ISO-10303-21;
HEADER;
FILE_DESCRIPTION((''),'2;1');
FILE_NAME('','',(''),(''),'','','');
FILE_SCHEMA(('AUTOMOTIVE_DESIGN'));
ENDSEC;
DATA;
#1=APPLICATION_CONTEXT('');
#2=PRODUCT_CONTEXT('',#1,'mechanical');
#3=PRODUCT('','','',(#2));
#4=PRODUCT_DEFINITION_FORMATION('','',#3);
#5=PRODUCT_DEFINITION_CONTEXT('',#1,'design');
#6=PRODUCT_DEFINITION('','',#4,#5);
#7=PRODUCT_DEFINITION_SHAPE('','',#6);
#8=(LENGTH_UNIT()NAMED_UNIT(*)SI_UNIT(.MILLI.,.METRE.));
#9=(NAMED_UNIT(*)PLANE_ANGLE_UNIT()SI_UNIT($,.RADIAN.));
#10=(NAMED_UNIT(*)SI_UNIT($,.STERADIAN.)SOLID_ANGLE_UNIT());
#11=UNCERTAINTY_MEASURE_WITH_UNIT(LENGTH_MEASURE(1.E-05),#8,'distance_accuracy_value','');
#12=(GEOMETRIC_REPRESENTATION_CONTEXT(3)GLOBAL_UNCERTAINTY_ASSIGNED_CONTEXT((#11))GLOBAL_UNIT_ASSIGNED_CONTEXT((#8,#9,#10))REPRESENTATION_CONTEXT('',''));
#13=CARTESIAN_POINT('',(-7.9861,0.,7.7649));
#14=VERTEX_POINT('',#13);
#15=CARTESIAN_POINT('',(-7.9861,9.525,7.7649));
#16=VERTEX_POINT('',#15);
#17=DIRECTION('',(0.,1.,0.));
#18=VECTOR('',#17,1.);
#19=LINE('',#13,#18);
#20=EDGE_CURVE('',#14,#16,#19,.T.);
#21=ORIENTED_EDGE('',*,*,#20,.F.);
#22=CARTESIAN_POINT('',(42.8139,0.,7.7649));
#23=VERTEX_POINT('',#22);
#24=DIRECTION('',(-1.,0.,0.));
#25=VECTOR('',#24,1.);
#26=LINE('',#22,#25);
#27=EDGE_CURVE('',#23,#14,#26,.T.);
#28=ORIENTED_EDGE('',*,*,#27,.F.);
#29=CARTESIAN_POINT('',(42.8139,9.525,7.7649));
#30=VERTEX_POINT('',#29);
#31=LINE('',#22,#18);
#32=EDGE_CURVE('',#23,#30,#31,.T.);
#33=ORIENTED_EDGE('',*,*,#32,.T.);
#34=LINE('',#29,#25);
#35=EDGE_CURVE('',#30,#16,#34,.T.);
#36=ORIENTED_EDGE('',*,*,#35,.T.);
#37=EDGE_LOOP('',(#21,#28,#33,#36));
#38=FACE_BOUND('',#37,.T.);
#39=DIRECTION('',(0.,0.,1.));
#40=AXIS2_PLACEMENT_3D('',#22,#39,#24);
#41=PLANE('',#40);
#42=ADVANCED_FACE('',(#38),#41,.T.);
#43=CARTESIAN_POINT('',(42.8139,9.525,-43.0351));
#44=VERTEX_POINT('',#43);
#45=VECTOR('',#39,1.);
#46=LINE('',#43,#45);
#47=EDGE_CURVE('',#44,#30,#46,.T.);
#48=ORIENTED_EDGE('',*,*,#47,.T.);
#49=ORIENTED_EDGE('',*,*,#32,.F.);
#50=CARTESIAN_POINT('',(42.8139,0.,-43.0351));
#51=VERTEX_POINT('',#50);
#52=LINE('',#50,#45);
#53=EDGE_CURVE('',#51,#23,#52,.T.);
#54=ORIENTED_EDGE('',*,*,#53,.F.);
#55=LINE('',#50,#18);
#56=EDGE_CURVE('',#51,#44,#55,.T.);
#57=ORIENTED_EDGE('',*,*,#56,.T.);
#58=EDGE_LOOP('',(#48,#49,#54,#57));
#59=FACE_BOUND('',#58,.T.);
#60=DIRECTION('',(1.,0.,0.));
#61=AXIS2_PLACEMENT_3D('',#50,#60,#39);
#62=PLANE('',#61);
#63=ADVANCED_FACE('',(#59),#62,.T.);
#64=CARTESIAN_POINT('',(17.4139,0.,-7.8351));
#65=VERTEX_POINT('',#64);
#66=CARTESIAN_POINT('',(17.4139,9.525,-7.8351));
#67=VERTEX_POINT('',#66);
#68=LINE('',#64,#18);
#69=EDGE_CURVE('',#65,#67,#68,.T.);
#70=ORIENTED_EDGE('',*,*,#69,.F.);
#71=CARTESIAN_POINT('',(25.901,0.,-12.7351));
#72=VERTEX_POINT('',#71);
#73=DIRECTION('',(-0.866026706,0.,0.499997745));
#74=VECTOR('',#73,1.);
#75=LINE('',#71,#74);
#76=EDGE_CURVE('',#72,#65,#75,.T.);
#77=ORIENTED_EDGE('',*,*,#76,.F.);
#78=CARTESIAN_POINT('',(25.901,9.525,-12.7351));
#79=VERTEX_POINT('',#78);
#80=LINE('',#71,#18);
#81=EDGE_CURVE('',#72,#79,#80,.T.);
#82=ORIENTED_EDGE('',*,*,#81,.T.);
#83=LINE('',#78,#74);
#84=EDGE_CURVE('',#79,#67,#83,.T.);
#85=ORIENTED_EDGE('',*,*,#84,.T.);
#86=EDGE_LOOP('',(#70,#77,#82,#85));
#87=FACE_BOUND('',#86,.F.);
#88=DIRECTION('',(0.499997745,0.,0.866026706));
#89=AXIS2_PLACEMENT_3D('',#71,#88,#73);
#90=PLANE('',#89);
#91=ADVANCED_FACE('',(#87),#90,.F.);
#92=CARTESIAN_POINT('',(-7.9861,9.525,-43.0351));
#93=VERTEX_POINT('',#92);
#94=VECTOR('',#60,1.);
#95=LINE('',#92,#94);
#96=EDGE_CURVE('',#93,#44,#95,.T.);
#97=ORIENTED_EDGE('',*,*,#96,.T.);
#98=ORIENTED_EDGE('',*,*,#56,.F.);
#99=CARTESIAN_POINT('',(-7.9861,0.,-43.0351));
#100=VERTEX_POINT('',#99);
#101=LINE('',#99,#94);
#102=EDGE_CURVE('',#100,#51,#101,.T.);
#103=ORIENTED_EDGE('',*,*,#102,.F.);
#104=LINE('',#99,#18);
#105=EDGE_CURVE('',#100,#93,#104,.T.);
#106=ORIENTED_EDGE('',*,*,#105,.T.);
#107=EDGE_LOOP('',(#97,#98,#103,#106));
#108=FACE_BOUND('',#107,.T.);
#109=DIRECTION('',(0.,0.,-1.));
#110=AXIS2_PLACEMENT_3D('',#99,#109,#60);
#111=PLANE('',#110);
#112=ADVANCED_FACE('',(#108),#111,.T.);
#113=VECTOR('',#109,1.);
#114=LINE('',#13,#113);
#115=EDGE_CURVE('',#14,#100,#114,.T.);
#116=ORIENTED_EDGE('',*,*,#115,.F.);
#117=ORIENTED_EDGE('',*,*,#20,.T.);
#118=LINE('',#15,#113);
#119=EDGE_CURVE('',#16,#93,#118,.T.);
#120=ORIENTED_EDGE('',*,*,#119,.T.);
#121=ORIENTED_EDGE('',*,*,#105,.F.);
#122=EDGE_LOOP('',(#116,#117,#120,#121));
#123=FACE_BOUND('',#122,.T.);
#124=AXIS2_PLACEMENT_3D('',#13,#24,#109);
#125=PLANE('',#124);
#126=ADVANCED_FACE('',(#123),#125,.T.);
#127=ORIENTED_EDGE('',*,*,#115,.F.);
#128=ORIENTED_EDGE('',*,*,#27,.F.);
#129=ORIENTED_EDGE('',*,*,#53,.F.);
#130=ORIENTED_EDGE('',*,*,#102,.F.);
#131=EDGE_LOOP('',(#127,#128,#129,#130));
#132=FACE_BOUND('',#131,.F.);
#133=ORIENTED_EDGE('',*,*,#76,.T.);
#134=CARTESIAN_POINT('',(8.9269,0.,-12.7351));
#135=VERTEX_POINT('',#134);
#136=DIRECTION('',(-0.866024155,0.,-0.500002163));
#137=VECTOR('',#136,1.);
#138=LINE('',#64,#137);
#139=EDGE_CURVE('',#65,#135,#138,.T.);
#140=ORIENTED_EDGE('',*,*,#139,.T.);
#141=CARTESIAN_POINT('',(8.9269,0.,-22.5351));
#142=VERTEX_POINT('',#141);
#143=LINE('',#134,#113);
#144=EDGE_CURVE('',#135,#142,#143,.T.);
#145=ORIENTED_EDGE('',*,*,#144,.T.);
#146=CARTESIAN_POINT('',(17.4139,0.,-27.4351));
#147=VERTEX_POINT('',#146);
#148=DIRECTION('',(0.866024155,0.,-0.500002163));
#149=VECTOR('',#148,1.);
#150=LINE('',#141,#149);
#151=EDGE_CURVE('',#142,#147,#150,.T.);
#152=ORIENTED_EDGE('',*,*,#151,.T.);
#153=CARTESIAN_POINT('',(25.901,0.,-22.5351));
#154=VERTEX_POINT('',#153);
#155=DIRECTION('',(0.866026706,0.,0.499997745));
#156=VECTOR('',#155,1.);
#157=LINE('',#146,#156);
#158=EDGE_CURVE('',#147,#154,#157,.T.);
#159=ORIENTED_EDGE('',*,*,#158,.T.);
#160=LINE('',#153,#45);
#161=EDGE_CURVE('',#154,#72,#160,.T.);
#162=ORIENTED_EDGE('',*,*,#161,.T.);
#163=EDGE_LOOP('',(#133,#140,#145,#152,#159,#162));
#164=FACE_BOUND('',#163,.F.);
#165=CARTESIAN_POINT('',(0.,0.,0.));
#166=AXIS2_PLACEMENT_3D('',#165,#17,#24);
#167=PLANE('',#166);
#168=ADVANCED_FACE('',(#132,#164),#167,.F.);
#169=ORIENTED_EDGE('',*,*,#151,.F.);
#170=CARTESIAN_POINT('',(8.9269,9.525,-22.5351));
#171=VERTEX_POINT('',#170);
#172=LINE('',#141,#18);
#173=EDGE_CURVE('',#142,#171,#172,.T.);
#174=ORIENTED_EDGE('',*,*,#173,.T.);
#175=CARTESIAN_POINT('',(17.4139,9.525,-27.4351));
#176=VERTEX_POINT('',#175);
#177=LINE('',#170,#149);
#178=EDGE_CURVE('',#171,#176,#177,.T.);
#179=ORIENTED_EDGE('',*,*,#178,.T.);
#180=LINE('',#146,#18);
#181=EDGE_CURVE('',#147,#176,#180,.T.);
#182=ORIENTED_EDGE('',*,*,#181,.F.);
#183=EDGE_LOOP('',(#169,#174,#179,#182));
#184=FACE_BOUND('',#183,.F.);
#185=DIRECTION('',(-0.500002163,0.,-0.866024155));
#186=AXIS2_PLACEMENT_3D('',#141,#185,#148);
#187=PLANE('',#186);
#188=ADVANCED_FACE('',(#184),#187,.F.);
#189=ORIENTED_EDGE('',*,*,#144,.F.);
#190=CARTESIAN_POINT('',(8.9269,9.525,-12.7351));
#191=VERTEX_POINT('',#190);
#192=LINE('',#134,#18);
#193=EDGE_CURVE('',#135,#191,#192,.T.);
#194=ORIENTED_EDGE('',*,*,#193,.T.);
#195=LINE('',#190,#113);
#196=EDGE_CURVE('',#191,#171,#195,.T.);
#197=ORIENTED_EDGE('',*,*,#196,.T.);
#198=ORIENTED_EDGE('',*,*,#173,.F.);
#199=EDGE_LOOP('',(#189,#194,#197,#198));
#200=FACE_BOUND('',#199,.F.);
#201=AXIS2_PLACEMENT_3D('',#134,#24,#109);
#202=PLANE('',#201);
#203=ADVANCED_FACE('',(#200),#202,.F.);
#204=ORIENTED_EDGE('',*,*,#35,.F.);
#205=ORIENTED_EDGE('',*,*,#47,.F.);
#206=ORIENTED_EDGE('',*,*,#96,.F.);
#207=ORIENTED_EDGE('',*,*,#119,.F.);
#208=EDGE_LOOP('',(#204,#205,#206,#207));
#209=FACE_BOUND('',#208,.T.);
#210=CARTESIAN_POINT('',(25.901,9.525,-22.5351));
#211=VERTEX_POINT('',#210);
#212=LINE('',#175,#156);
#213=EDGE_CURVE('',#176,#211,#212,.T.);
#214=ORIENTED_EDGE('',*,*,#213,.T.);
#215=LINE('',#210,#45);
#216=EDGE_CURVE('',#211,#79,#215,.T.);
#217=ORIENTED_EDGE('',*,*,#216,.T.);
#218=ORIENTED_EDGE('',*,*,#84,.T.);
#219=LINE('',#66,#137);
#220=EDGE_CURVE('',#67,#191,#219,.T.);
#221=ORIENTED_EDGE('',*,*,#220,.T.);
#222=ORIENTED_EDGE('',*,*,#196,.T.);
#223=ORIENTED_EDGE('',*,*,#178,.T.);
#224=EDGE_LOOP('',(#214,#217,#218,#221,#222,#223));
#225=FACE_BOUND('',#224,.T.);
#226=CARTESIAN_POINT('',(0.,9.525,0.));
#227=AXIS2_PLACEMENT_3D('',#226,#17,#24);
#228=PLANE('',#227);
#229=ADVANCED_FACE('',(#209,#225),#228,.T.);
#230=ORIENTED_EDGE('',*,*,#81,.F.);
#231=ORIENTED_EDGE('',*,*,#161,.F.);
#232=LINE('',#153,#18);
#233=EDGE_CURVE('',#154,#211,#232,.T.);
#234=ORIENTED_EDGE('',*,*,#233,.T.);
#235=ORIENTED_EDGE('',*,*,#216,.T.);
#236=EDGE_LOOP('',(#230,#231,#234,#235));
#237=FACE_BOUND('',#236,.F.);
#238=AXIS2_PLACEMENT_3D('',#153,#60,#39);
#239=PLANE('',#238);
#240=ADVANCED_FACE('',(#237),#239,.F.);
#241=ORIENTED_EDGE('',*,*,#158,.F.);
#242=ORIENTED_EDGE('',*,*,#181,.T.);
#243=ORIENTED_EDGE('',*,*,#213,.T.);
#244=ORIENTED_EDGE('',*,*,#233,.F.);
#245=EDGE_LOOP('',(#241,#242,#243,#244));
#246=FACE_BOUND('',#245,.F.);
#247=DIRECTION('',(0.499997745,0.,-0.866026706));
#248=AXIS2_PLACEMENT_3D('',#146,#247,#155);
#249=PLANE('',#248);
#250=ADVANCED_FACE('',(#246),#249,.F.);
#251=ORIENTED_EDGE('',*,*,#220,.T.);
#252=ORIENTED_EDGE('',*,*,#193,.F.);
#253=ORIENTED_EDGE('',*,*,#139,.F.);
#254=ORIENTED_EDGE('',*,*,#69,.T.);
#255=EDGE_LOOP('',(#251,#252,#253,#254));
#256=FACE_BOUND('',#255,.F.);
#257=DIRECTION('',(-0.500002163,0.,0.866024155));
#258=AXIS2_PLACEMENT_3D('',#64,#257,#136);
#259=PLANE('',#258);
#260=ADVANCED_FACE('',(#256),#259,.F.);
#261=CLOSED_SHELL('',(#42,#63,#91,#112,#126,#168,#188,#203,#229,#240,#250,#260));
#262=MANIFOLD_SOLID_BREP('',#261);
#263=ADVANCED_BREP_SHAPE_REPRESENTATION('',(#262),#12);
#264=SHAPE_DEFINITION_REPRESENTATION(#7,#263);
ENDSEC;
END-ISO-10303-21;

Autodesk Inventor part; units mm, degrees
ref_plane "YZ Plane" through (0, 0, 0) normal (1, 0, 0) x (0, 1, 0)
ref_plane "XZ Plane" through (0, 0, 0) normal (0, 1, 0) x (-1, 0, 0)
ref_plane "XY Plane" through (0, 0, 0) normal (0, 0, 1) x (1, 0, 0)
sketch "Sketch1" plane through (0, 0, 0) normal (0, 1, 0) x (-1, 0, 0)
  line L0 (7.9861, 7.7649) -> (7.9861, -43.0351)
  line L1 (7.9861, -43.0351) -> (-42.8139, -43.0351)
  line L2 (-42.8139, -43.0351) -> (-42.8139, 7.7649)
  line L3 (-42.8139, 7.7649) -> (7.9861, 7.7649)
  line L4 (-17.4139, -27.4351) -> (-25.901, -22.5351)
  line L5 (-25.901, -22.5351) -> (-25.901, -12.7351)
  line L6 (-25.901, -12.7351) -> (-17.4139, -7.8351)
  line L7 (-17.4139, -7.8351) -> (-8.9269, -12.7351)
  line L8 (-8.9269, -12.7351) -> (-8.9269, -22.5351)
  line L9 (-8.9269, -22.5351) -> (-17.4139, -27.4351)
  point P0 (0, 0)
  point P1 (-17.4139, -17.6351)
  point P2 (-21.6575, -24.9851)
  point P3 (-13.1704, -10.2851)
  dimension "d0" = 50.8
  dimension "d1" = 50.8
  dimension "d2" = 14.7
extrude "Extrusion1" add sketch "Sketch1" along normal blind 9.525
properties part number "Hex Box +2mm"
